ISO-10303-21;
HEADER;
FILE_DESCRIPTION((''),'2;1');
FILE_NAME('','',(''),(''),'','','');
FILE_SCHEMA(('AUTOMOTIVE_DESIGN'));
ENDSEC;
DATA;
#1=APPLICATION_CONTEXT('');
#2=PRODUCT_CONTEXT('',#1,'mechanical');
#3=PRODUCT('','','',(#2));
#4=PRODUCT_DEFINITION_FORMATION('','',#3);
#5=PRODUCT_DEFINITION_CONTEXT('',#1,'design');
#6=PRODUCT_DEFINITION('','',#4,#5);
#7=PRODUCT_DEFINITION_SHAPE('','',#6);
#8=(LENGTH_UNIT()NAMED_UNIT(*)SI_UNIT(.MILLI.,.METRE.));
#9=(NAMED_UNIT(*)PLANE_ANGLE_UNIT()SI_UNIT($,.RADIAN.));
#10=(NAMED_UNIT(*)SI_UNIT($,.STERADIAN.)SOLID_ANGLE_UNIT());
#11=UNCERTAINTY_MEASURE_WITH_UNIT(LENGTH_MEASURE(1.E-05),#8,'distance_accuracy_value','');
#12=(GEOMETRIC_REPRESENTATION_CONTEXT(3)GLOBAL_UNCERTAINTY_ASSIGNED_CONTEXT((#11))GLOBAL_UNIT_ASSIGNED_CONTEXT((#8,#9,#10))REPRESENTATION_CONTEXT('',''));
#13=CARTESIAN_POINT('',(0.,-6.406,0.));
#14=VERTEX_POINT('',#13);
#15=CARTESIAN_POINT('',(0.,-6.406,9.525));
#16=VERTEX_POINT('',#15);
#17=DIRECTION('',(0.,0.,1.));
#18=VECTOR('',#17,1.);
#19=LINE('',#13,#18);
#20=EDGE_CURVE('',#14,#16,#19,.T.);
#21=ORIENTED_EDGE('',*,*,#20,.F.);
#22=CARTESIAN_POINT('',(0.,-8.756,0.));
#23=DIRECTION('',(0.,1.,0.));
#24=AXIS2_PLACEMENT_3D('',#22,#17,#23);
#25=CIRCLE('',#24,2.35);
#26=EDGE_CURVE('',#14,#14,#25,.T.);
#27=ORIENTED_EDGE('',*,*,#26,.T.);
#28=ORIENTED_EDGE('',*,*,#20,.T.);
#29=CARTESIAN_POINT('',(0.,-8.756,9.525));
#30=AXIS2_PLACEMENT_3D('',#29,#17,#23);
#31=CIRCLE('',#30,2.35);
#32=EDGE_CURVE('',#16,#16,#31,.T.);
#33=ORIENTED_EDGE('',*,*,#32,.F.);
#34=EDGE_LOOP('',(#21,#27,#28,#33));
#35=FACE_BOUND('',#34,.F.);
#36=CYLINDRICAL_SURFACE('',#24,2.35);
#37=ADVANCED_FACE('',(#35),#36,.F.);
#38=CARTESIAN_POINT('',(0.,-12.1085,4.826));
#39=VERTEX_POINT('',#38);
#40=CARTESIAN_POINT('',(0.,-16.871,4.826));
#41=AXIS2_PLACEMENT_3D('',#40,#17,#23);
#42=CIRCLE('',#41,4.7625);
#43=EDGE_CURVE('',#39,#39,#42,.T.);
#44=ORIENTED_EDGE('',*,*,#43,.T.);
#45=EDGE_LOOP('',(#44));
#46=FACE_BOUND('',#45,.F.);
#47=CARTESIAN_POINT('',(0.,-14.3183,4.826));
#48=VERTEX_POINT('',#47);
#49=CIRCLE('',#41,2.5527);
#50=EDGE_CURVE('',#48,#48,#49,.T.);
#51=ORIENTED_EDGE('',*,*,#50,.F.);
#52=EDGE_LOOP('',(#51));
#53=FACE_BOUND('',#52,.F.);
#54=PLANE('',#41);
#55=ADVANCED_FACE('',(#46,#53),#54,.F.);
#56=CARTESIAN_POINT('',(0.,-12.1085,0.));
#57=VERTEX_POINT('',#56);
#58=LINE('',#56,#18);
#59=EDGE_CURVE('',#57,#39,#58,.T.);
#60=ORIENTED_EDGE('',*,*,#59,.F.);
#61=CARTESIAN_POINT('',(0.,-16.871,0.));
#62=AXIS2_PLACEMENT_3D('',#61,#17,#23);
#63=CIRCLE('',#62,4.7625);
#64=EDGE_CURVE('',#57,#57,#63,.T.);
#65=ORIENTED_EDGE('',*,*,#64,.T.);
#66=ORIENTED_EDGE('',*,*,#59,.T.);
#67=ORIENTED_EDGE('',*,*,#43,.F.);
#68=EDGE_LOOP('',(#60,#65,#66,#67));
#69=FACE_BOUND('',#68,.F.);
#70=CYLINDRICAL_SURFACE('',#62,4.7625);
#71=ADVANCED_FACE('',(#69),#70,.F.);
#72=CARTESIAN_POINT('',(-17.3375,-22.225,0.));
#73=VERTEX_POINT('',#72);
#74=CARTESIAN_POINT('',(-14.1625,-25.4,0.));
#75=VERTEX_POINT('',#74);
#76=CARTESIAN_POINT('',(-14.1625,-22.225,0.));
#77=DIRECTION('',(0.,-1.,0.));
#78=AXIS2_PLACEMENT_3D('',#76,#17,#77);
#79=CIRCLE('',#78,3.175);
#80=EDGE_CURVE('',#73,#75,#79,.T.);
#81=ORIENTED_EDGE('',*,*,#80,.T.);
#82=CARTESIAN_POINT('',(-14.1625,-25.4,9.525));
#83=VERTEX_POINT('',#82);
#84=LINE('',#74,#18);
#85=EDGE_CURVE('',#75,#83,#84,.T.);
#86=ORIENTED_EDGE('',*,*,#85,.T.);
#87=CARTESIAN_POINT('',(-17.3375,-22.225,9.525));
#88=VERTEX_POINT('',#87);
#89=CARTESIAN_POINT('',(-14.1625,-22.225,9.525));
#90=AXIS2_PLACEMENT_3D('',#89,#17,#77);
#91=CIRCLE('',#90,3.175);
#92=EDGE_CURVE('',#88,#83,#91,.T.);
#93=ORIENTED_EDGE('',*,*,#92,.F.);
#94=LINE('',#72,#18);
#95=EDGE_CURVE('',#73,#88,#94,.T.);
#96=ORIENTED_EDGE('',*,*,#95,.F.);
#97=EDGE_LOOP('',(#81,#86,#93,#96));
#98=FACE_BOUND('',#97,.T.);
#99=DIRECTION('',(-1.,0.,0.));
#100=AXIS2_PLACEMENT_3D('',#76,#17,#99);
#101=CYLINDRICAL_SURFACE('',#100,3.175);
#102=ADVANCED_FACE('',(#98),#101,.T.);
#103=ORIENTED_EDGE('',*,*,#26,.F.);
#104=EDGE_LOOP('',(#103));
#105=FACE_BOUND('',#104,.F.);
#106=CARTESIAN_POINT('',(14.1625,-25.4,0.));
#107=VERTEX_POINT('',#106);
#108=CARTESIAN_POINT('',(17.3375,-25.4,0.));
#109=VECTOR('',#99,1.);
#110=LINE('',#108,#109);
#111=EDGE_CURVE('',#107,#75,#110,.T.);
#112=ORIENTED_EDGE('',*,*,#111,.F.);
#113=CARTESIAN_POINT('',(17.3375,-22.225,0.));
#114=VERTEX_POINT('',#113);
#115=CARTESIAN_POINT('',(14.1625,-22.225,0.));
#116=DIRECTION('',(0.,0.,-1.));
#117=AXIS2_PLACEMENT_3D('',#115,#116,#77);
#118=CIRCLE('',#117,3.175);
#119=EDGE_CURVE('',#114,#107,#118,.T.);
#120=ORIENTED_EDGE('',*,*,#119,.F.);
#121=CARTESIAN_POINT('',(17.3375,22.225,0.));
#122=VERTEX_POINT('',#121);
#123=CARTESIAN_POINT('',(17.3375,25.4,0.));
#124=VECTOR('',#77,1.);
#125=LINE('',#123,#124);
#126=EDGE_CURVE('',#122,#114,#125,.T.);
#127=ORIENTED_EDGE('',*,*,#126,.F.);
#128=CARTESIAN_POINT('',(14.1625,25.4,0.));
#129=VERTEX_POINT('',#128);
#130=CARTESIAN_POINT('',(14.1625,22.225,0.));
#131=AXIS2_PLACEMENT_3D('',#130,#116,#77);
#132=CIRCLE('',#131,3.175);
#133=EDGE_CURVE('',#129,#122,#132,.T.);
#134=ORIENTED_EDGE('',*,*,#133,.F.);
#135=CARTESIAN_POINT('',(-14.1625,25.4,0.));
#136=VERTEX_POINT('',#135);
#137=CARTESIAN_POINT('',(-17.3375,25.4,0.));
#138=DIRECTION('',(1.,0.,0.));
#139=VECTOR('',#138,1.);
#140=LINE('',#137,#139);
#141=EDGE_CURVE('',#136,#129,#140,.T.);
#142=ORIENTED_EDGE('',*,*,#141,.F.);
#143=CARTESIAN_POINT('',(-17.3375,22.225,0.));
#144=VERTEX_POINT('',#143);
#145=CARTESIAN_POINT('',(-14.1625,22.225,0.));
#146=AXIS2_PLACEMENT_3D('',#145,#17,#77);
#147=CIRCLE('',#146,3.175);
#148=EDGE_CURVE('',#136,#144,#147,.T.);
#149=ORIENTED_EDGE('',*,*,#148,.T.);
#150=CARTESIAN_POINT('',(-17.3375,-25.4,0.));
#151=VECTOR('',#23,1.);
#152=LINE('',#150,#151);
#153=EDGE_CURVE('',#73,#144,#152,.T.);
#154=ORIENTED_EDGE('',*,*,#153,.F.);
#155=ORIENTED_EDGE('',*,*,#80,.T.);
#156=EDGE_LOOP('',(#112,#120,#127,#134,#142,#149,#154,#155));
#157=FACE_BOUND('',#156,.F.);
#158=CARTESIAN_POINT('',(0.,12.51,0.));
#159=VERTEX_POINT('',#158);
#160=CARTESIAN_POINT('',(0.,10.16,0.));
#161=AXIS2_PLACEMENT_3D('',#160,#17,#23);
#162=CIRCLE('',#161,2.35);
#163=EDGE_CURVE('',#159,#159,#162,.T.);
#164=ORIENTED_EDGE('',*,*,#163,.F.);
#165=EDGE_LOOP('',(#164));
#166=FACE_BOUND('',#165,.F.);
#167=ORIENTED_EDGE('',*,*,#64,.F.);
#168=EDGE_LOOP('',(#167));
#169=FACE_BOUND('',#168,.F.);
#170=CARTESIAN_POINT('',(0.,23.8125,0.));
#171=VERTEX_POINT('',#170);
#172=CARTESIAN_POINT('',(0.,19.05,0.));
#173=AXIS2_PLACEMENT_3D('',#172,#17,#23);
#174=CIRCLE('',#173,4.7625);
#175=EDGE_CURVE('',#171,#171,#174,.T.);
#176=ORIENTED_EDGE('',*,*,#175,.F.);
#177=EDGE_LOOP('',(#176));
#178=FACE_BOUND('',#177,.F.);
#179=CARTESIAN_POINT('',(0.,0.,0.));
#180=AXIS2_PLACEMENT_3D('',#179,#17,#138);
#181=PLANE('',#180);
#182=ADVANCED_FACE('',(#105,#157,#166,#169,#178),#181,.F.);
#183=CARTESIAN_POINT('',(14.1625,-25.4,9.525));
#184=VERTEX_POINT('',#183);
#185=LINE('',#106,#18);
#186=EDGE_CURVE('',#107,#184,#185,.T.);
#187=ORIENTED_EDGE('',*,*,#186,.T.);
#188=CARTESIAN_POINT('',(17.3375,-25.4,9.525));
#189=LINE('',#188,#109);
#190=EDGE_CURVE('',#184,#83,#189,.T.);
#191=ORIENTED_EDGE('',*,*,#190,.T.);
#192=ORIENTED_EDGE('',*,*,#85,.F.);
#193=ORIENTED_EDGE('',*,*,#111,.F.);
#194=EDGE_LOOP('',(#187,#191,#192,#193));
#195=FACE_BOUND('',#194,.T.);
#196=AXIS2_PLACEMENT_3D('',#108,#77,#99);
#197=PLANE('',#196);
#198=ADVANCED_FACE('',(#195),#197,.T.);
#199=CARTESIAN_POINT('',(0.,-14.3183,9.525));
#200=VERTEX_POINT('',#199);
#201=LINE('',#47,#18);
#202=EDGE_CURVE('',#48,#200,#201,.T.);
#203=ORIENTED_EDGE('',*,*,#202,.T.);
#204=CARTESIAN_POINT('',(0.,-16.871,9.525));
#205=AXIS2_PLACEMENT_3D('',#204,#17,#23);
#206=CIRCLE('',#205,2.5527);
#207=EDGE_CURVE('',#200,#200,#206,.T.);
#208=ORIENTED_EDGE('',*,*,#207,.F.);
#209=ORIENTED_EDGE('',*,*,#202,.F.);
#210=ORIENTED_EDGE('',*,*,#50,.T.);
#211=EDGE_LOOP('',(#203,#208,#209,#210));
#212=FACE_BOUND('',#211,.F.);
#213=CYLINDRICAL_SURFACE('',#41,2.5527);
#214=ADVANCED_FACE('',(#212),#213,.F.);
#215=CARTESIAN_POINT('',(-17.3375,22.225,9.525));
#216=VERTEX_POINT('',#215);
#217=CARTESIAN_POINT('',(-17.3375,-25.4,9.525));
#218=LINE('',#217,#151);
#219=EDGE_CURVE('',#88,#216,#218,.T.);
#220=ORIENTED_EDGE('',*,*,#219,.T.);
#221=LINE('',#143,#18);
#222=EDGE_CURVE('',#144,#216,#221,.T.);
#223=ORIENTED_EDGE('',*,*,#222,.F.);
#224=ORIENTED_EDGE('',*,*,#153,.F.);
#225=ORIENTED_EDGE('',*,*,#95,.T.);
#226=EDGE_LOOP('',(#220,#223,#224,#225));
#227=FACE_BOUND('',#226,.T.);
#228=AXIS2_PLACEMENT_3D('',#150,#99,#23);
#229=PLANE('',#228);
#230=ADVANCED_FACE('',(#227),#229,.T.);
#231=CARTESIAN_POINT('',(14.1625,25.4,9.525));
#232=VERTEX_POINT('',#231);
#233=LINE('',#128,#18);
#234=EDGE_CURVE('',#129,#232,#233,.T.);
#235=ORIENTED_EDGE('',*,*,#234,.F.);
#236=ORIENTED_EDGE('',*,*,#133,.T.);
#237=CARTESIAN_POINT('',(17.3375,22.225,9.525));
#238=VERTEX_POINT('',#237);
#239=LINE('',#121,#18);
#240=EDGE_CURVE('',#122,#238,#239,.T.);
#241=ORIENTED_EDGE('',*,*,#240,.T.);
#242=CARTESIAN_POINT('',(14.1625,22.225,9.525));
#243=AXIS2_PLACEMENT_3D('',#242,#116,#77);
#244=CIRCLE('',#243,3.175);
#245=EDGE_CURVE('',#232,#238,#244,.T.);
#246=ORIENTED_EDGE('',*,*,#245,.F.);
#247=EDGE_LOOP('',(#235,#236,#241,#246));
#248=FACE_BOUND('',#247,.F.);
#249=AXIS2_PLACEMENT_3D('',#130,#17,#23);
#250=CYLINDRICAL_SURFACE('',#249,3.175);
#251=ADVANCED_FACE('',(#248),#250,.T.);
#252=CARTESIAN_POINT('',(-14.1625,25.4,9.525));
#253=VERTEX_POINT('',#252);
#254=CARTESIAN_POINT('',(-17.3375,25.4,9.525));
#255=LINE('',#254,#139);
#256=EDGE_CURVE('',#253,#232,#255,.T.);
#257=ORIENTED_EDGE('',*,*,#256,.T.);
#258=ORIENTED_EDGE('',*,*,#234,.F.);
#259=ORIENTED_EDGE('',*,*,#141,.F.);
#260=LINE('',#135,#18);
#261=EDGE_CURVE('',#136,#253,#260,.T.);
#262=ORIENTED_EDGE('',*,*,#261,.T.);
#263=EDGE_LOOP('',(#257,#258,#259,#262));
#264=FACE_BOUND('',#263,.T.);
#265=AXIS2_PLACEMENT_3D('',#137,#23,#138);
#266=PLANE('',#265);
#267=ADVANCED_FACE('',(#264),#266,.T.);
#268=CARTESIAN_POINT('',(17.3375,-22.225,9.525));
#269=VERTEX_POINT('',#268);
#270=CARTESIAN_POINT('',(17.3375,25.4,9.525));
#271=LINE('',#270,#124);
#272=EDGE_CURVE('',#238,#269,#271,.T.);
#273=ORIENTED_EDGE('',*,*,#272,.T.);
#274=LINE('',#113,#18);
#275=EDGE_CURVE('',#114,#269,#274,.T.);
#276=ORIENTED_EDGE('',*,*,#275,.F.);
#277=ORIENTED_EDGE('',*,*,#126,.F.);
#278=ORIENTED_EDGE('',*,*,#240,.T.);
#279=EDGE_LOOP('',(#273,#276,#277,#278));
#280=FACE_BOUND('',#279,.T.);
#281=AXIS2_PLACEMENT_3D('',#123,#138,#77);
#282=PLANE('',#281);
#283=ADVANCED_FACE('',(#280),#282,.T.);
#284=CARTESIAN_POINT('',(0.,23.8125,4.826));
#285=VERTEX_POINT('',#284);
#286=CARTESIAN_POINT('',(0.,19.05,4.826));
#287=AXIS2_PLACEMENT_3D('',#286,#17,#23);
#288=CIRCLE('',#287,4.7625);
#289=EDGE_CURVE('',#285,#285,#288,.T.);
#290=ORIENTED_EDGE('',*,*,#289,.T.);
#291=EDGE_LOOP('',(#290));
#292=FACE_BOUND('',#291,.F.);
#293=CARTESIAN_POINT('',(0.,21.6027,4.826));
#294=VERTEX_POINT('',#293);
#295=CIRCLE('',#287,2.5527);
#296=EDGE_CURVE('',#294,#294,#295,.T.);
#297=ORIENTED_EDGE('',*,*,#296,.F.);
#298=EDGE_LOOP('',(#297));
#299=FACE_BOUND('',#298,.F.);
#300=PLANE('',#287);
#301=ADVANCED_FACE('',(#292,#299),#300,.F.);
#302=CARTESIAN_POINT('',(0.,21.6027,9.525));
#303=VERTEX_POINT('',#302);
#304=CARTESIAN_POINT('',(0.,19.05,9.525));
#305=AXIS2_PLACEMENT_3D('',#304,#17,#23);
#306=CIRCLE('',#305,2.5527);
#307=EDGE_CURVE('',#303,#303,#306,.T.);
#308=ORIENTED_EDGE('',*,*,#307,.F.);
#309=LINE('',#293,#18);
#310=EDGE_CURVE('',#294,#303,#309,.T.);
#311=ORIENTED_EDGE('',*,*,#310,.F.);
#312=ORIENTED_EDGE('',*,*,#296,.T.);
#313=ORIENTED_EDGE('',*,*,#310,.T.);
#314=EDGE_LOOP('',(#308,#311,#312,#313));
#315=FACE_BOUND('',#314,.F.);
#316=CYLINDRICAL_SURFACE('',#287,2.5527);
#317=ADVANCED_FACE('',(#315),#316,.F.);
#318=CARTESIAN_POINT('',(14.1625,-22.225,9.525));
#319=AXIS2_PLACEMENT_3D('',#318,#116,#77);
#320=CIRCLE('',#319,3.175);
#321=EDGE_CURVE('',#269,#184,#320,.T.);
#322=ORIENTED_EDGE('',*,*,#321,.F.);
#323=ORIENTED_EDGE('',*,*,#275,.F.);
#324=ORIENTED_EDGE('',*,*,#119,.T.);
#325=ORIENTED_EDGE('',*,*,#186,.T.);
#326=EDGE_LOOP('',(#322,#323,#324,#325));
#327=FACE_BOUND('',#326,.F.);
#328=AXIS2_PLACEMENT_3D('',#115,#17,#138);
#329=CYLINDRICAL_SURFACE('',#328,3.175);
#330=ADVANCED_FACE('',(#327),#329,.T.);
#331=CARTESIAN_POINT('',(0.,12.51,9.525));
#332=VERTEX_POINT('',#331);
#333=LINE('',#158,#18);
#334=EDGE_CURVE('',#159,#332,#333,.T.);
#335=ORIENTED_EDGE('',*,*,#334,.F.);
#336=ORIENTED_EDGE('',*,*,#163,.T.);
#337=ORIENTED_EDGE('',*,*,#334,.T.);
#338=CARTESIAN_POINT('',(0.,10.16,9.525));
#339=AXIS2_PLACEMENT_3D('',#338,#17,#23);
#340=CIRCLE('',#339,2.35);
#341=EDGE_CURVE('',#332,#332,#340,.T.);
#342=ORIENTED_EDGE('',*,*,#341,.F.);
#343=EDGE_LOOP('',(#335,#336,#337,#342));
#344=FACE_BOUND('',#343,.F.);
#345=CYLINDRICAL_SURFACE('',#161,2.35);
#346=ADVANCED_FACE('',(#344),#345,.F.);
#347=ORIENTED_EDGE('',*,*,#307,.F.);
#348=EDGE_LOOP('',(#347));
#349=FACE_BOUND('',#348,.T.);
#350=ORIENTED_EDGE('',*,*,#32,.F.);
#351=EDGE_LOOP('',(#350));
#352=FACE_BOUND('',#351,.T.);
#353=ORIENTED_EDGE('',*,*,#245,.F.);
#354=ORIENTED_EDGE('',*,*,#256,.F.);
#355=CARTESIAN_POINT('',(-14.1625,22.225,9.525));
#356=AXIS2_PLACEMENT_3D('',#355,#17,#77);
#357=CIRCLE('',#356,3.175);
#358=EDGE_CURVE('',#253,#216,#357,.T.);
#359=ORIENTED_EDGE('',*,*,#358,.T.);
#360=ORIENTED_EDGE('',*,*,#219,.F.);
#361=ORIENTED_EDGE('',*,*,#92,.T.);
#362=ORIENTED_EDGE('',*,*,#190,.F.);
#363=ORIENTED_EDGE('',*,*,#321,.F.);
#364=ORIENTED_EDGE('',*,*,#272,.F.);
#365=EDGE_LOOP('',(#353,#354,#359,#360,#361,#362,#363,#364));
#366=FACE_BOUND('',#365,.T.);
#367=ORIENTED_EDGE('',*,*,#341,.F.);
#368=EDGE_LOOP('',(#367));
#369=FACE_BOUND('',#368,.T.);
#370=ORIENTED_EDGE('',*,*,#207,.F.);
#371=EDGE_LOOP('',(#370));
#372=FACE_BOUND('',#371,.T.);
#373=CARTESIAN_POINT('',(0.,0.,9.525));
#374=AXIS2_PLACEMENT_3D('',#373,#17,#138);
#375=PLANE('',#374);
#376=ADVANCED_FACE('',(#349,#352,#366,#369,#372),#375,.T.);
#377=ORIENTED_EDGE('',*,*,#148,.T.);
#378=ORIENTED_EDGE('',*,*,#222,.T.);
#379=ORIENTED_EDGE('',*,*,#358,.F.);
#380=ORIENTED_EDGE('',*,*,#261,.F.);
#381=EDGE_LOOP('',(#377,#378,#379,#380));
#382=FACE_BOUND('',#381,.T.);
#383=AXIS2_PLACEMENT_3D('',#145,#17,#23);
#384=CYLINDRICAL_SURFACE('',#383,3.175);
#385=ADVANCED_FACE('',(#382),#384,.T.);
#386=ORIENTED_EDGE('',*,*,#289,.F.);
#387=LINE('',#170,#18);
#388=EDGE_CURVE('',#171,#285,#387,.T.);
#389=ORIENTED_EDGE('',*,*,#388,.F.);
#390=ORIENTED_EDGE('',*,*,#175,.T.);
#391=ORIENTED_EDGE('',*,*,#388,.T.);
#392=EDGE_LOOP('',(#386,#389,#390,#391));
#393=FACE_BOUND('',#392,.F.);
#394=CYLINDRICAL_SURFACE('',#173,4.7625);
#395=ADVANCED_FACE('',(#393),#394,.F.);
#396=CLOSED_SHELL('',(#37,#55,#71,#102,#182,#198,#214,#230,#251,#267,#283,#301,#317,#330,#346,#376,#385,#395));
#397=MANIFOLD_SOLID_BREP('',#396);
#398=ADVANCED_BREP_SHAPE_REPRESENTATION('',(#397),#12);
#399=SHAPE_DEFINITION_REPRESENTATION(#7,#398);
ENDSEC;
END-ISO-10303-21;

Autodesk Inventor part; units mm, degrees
ref_plane "YZ Plane" through (0, 0, 0) normal (1, 0, 0) x (0, 1, 0)
ref_plane "XZ Plane" through (0, 0, 0) normal (0, 1, 0) x (-1, 0, 0)
ref_plane "XY Plane" through (0, 0, 0) normal (0, 0, 1) x (1, 0, 0)
sketch "Sketch1" plane through (0, 0, 0) normal (0, 0, 1) x (1, 0, 0)
  line L0 (-17.3375, 25.4) -> (17.3375, 25.4)
  line L1 (17.3375, 25.4) -> (17.3375, -25.4)
  line L2 (17.3375, -25.4) -> (-17.3375, -25.4)
  line L3 (-17.3375, -25.4) -> (-17.3375, 25.4)
  line L4 (-17.3375, 25.4) -> (17.3375, -25.4) construction
  line L5 (17.3375, 25.4) -> (-17.3375, -25.4) construction
  line L6 (0, 19.05) -> (0, -16.871) construction
  line L7 (0, 10.16) -> (0, -8.756) construction
  point P0 (0, 0)
  point P1 (0, 0.702)
  point P2 (0, 25.4)
  point P3 (0, 1.0895)
  dimension "d0" = 34.675
  dimension "d1" = 50.8
  dimension "d3" = 18.916
  dimension "d4" = 15.24
  dimension "d23" = 35.921
  dimension "d26" = 6.35
extrude "Extrusion1" add sketch "Sketch1" along normal blind 9.525
hole "Hole1" at (0, 19.05, 0) at (0, -16.871, 0) direction (0, 0, 1) diameter 5.1054 end through all counterbore diameter 9.525 counterbore depth 4.826 clearance for "Socket Head Cap Screw" size "#10" standard "Ansi Unified Screw Threads"
hole "Hole2" at (0, -8.756, 0) at (0, 10.16, 0) direction (0, 0, 1) diameter 4.7 end through all
fillet "Fillet1" radius 3.175 4 edges at (17.3375, 25.4, 4.7625) (-17.3375, 25.4, 4.7625) (-17.3375, -25.4, 4.7625) (17.3375, -25.4, 4.7625)
properties part number "anderson battery connectorAnderson adapter" material "ABS Plastic"
